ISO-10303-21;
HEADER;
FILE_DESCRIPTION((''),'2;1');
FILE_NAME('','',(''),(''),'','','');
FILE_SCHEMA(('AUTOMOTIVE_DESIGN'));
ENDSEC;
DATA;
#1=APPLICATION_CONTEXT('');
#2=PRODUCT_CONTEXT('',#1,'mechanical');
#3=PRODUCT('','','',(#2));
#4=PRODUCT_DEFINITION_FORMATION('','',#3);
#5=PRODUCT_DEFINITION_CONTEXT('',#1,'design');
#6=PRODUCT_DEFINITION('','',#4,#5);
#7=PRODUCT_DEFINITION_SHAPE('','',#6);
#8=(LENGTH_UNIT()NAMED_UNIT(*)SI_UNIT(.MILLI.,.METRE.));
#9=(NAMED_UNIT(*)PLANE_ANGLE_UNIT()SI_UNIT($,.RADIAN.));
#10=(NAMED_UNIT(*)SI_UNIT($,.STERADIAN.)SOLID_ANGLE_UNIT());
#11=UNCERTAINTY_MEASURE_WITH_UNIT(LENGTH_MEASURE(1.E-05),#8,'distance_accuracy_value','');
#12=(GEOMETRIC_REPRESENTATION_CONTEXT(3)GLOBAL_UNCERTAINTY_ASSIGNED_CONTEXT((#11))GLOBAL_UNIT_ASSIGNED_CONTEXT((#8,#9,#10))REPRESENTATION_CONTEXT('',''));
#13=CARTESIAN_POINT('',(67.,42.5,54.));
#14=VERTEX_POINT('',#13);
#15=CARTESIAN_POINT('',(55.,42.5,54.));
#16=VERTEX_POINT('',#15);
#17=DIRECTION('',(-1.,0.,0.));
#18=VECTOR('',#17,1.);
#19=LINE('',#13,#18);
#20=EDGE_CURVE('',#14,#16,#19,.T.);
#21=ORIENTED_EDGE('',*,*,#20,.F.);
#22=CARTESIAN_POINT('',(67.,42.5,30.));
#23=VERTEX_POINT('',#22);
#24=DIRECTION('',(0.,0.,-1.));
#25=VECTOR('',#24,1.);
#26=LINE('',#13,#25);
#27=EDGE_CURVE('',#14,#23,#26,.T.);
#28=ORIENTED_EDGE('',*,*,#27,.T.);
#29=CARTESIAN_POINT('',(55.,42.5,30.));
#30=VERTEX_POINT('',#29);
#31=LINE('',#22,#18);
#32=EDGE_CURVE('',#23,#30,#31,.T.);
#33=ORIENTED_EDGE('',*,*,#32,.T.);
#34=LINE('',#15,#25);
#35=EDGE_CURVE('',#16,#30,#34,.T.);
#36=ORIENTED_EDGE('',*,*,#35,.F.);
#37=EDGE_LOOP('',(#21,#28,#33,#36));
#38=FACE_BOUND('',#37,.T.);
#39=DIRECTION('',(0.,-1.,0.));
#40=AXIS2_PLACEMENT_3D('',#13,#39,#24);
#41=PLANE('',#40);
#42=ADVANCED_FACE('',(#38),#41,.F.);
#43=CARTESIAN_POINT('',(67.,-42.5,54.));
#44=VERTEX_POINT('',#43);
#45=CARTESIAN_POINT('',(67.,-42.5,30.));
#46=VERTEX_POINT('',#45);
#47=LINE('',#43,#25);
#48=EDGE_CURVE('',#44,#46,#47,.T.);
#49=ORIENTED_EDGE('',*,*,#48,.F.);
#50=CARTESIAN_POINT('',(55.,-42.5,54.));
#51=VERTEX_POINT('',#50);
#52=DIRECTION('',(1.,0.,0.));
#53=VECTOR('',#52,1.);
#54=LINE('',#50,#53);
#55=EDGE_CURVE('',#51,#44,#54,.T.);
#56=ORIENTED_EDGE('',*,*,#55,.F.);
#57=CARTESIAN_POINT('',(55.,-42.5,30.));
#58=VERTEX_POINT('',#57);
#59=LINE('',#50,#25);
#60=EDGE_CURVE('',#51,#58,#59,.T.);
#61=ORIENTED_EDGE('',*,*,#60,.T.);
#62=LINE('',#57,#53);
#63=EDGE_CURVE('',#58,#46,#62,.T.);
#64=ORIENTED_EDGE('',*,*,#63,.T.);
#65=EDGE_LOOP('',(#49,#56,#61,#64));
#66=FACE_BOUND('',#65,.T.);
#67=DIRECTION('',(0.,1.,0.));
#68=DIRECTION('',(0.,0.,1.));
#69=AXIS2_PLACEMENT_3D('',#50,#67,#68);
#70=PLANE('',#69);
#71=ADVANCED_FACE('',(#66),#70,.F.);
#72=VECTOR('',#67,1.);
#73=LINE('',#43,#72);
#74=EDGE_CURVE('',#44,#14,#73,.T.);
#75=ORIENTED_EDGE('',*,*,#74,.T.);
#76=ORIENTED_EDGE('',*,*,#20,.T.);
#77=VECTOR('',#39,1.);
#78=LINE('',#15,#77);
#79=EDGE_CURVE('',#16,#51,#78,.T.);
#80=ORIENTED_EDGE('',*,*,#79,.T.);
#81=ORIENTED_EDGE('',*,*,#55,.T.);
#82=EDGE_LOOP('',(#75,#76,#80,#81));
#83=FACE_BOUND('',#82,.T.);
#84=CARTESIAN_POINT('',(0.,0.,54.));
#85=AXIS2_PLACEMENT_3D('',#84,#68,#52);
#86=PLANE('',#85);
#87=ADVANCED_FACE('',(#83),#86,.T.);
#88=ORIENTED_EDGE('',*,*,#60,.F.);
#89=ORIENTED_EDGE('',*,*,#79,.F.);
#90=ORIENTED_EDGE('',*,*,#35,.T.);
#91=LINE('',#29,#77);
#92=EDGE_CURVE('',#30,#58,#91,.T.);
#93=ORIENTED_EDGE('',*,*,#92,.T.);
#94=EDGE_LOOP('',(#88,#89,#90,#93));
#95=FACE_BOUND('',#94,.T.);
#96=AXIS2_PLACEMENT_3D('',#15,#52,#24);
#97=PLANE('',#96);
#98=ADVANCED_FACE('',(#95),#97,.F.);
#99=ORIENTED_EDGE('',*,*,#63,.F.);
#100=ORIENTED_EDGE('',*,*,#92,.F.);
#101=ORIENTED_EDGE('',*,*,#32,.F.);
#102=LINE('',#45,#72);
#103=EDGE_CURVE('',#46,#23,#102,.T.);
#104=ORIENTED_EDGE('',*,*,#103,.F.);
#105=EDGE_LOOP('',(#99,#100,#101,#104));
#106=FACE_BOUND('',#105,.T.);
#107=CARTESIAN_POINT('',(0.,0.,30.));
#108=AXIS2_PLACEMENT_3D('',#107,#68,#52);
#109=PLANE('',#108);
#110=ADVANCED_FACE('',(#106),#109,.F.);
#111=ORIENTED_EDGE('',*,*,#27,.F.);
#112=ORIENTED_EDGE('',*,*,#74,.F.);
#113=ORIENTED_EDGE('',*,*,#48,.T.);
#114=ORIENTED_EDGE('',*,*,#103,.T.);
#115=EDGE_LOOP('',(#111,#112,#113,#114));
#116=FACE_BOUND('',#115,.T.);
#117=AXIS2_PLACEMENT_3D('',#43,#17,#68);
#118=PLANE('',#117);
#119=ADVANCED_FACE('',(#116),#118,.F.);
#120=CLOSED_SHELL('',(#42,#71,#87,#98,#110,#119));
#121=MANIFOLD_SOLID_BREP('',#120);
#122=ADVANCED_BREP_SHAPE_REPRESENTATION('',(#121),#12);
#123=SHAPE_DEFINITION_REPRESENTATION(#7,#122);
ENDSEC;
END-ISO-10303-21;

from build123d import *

# Parameters (mm, degrees)
SK_BOARD_W  = 12
SK_BOARD_H  = 85
BOARD_DEPTH = 24


with BuildPart() as part:
    # SK_Board → Board (new body)
    with BuildSketch(Plane.XY.offset(30)):
        with Locations((61, 0)):
            Rectangle(SK_BOARD_W, SK_BOARD_H)
    extrude(amount=BOARD_DEPTH)


solid = part.part
